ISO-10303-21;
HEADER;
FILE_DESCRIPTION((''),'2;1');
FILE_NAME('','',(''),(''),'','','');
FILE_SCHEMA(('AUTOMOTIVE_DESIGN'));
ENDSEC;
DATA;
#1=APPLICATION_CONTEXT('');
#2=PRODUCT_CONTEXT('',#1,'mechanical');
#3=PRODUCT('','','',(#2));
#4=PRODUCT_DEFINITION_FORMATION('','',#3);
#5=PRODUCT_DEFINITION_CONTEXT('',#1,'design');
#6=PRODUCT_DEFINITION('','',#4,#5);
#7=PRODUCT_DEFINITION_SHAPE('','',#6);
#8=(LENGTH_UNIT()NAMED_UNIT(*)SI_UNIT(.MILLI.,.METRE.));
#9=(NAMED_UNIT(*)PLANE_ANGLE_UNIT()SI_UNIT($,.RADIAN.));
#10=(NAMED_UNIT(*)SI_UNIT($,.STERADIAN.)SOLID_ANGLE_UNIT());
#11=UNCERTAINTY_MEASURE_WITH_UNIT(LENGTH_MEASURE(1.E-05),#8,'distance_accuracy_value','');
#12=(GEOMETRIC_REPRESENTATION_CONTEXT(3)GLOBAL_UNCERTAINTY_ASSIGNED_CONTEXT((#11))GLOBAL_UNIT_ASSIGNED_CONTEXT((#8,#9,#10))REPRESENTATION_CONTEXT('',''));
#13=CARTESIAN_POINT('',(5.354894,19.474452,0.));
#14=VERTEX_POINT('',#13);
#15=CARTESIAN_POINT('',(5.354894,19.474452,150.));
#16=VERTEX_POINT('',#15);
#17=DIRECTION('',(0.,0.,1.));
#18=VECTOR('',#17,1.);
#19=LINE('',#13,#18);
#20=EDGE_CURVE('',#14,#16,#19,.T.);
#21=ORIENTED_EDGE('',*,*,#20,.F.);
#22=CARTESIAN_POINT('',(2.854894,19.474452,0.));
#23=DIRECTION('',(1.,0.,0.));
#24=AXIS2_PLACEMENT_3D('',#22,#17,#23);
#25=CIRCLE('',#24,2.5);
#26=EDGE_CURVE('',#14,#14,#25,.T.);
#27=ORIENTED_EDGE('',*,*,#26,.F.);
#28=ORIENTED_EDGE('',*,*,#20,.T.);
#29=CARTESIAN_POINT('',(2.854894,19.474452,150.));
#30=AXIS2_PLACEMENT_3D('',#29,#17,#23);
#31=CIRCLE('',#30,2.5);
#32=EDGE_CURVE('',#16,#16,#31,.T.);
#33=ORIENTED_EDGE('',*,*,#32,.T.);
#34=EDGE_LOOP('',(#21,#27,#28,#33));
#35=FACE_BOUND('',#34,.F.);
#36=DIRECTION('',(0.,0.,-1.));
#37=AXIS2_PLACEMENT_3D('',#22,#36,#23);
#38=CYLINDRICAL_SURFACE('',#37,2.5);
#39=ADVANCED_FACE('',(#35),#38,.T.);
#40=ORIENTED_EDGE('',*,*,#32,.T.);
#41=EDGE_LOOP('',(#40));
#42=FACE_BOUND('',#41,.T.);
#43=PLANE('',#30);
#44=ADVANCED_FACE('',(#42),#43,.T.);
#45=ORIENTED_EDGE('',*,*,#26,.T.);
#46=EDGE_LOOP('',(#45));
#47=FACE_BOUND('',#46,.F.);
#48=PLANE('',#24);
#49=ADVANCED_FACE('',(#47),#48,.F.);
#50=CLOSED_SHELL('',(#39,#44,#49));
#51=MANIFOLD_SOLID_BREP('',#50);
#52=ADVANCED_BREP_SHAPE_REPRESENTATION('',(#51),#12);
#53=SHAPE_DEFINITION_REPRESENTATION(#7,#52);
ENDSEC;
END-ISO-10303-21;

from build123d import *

# Parameters (mm, degrees)
SKETCH1_R           = 2.5
BOSS_EXTRUDE2_DEPTH = 150


with BuildPart() as part:
    # Sketch1 → Boss-Extrude2 (new body)
    with BuildSketch(Plane.XY):
        with Locations((2.854893517, 19.474452204)):
            Circle(SKETCH1_R)
    extrude(amount=BOSS_EXTRUDE2_DEPTH)


solid = part.part
